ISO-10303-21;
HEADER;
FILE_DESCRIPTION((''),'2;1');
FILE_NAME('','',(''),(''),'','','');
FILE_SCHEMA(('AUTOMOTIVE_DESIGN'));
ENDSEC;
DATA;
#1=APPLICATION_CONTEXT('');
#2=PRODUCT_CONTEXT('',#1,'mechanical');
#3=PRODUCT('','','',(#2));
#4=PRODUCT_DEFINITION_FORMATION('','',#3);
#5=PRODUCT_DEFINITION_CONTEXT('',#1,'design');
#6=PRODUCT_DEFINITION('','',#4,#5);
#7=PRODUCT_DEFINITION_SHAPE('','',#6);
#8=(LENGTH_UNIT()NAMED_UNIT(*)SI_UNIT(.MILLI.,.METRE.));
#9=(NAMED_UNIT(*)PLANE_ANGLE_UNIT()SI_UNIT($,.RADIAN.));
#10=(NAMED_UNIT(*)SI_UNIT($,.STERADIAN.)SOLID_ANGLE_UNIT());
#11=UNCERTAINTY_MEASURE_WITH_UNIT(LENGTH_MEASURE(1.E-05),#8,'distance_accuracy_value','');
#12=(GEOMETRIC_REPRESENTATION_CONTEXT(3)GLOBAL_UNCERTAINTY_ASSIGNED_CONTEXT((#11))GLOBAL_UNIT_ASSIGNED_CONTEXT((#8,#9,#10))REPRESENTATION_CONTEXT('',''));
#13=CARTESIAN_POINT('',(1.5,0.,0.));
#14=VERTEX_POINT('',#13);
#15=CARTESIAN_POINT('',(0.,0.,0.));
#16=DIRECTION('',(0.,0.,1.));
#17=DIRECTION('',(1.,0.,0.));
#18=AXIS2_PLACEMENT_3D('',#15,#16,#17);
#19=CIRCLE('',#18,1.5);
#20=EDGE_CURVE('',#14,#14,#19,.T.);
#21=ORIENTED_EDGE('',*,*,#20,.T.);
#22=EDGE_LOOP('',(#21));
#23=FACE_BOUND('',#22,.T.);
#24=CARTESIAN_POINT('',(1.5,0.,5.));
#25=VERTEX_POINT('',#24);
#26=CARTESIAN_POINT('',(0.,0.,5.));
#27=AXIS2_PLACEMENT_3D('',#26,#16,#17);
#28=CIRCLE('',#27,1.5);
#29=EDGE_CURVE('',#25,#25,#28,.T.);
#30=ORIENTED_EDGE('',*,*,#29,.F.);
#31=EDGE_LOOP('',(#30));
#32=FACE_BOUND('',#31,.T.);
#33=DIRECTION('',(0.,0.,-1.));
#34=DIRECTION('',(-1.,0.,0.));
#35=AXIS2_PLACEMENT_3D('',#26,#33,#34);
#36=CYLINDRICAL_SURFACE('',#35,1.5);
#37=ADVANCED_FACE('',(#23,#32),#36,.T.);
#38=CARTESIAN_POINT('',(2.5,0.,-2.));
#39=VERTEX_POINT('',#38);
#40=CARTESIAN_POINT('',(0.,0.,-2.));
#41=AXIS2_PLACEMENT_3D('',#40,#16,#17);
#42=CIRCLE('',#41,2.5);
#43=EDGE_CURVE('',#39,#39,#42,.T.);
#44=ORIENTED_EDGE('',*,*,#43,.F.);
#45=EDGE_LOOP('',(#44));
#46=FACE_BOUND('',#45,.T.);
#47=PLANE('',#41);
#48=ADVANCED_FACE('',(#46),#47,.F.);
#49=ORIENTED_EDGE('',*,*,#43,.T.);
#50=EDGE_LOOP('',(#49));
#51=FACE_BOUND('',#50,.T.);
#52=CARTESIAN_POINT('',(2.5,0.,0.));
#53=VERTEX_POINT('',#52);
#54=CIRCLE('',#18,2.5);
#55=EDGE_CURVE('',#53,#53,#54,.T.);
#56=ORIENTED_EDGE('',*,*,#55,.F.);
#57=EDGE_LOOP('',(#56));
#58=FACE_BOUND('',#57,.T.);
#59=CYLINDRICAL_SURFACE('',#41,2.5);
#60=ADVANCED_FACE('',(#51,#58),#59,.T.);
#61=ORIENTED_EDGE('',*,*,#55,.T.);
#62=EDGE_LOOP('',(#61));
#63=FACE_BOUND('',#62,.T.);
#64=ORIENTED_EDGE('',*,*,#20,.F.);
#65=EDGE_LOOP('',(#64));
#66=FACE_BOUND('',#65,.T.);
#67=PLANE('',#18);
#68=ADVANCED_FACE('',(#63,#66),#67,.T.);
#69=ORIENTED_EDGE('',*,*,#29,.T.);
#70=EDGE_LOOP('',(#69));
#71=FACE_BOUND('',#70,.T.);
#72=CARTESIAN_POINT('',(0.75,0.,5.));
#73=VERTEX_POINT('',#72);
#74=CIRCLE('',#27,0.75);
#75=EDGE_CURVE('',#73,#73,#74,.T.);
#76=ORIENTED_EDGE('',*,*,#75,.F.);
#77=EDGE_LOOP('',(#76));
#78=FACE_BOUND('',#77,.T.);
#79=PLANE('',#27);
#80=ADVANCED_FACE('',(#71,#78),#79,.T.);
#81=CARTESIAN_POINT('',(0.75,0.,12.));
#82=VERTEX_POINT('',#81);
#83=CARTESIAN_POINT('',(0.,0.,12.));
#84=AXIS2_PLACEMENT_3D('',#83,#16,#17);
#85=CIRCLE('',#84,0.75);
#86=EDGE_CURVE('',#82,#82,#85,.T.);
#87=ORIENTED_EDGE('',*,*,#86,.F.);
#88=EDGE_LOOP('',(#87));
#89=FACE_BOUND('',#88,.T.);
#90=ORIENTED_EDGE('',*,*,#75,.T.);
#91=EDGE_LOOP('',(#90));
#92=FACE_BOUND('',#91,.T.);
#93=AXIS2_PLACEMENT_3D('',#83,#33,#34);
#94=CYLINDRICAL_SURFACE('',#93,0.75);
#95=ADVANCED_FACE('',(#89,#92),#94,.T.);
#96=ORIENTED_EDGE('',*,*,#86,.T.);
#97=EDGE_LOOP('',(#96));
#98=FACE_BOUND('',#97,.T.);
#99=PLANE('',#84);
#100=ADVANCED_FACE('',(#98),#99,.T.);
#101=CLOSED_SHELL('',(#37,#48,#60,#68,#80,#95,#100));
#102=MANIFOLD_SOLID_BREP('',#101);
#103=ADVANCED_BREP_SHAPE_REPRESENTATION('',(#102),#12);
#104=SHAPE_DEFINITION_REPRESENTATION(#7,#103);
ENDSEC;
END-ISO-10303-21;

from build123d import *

# Parameters (mm, degrees)
SKETCH1_R           = 0.75
BOSS_EXTRUDE1_DEPTH = 12
SKETCH1_3_R         = 1.5
SKETCH1_3_R_2       = 0.75
BOSS_EXTRUDE2_DEPTH = 5
SKETCH1_4_R         = 2.5
BOSS_EXTRUDE3_DEPTH = 2


with BuildPart() as part:
    # Sketch1 → Boss-Extrude1 (new body)
    with BuildSketch(Plane.XY):
        Circle(SKETCH1_R)
    extrude(amount=BOSS_EXTRUDE1_DEPTH)

    # Sketch1<3> → Boss-Extrude2 (add)
    with BuildSketch(Plane.XY):
        Circle(SKETCH1_3_R)
        Circle(SKETCH1_3_R_2, mode=Mode.SUBTRACT)
    extrude(amount=BOSS_EXTRUDE2_DEPTH)

    # Sketch1<4> → Boss-Extrude3 (add)
    with BuildSketch(Plane.XY):
        Circle(SKETCH1_4_R)
    extrude(amount=-BOSS_EXTRUDE3_DEPTH)


solid = part.part
